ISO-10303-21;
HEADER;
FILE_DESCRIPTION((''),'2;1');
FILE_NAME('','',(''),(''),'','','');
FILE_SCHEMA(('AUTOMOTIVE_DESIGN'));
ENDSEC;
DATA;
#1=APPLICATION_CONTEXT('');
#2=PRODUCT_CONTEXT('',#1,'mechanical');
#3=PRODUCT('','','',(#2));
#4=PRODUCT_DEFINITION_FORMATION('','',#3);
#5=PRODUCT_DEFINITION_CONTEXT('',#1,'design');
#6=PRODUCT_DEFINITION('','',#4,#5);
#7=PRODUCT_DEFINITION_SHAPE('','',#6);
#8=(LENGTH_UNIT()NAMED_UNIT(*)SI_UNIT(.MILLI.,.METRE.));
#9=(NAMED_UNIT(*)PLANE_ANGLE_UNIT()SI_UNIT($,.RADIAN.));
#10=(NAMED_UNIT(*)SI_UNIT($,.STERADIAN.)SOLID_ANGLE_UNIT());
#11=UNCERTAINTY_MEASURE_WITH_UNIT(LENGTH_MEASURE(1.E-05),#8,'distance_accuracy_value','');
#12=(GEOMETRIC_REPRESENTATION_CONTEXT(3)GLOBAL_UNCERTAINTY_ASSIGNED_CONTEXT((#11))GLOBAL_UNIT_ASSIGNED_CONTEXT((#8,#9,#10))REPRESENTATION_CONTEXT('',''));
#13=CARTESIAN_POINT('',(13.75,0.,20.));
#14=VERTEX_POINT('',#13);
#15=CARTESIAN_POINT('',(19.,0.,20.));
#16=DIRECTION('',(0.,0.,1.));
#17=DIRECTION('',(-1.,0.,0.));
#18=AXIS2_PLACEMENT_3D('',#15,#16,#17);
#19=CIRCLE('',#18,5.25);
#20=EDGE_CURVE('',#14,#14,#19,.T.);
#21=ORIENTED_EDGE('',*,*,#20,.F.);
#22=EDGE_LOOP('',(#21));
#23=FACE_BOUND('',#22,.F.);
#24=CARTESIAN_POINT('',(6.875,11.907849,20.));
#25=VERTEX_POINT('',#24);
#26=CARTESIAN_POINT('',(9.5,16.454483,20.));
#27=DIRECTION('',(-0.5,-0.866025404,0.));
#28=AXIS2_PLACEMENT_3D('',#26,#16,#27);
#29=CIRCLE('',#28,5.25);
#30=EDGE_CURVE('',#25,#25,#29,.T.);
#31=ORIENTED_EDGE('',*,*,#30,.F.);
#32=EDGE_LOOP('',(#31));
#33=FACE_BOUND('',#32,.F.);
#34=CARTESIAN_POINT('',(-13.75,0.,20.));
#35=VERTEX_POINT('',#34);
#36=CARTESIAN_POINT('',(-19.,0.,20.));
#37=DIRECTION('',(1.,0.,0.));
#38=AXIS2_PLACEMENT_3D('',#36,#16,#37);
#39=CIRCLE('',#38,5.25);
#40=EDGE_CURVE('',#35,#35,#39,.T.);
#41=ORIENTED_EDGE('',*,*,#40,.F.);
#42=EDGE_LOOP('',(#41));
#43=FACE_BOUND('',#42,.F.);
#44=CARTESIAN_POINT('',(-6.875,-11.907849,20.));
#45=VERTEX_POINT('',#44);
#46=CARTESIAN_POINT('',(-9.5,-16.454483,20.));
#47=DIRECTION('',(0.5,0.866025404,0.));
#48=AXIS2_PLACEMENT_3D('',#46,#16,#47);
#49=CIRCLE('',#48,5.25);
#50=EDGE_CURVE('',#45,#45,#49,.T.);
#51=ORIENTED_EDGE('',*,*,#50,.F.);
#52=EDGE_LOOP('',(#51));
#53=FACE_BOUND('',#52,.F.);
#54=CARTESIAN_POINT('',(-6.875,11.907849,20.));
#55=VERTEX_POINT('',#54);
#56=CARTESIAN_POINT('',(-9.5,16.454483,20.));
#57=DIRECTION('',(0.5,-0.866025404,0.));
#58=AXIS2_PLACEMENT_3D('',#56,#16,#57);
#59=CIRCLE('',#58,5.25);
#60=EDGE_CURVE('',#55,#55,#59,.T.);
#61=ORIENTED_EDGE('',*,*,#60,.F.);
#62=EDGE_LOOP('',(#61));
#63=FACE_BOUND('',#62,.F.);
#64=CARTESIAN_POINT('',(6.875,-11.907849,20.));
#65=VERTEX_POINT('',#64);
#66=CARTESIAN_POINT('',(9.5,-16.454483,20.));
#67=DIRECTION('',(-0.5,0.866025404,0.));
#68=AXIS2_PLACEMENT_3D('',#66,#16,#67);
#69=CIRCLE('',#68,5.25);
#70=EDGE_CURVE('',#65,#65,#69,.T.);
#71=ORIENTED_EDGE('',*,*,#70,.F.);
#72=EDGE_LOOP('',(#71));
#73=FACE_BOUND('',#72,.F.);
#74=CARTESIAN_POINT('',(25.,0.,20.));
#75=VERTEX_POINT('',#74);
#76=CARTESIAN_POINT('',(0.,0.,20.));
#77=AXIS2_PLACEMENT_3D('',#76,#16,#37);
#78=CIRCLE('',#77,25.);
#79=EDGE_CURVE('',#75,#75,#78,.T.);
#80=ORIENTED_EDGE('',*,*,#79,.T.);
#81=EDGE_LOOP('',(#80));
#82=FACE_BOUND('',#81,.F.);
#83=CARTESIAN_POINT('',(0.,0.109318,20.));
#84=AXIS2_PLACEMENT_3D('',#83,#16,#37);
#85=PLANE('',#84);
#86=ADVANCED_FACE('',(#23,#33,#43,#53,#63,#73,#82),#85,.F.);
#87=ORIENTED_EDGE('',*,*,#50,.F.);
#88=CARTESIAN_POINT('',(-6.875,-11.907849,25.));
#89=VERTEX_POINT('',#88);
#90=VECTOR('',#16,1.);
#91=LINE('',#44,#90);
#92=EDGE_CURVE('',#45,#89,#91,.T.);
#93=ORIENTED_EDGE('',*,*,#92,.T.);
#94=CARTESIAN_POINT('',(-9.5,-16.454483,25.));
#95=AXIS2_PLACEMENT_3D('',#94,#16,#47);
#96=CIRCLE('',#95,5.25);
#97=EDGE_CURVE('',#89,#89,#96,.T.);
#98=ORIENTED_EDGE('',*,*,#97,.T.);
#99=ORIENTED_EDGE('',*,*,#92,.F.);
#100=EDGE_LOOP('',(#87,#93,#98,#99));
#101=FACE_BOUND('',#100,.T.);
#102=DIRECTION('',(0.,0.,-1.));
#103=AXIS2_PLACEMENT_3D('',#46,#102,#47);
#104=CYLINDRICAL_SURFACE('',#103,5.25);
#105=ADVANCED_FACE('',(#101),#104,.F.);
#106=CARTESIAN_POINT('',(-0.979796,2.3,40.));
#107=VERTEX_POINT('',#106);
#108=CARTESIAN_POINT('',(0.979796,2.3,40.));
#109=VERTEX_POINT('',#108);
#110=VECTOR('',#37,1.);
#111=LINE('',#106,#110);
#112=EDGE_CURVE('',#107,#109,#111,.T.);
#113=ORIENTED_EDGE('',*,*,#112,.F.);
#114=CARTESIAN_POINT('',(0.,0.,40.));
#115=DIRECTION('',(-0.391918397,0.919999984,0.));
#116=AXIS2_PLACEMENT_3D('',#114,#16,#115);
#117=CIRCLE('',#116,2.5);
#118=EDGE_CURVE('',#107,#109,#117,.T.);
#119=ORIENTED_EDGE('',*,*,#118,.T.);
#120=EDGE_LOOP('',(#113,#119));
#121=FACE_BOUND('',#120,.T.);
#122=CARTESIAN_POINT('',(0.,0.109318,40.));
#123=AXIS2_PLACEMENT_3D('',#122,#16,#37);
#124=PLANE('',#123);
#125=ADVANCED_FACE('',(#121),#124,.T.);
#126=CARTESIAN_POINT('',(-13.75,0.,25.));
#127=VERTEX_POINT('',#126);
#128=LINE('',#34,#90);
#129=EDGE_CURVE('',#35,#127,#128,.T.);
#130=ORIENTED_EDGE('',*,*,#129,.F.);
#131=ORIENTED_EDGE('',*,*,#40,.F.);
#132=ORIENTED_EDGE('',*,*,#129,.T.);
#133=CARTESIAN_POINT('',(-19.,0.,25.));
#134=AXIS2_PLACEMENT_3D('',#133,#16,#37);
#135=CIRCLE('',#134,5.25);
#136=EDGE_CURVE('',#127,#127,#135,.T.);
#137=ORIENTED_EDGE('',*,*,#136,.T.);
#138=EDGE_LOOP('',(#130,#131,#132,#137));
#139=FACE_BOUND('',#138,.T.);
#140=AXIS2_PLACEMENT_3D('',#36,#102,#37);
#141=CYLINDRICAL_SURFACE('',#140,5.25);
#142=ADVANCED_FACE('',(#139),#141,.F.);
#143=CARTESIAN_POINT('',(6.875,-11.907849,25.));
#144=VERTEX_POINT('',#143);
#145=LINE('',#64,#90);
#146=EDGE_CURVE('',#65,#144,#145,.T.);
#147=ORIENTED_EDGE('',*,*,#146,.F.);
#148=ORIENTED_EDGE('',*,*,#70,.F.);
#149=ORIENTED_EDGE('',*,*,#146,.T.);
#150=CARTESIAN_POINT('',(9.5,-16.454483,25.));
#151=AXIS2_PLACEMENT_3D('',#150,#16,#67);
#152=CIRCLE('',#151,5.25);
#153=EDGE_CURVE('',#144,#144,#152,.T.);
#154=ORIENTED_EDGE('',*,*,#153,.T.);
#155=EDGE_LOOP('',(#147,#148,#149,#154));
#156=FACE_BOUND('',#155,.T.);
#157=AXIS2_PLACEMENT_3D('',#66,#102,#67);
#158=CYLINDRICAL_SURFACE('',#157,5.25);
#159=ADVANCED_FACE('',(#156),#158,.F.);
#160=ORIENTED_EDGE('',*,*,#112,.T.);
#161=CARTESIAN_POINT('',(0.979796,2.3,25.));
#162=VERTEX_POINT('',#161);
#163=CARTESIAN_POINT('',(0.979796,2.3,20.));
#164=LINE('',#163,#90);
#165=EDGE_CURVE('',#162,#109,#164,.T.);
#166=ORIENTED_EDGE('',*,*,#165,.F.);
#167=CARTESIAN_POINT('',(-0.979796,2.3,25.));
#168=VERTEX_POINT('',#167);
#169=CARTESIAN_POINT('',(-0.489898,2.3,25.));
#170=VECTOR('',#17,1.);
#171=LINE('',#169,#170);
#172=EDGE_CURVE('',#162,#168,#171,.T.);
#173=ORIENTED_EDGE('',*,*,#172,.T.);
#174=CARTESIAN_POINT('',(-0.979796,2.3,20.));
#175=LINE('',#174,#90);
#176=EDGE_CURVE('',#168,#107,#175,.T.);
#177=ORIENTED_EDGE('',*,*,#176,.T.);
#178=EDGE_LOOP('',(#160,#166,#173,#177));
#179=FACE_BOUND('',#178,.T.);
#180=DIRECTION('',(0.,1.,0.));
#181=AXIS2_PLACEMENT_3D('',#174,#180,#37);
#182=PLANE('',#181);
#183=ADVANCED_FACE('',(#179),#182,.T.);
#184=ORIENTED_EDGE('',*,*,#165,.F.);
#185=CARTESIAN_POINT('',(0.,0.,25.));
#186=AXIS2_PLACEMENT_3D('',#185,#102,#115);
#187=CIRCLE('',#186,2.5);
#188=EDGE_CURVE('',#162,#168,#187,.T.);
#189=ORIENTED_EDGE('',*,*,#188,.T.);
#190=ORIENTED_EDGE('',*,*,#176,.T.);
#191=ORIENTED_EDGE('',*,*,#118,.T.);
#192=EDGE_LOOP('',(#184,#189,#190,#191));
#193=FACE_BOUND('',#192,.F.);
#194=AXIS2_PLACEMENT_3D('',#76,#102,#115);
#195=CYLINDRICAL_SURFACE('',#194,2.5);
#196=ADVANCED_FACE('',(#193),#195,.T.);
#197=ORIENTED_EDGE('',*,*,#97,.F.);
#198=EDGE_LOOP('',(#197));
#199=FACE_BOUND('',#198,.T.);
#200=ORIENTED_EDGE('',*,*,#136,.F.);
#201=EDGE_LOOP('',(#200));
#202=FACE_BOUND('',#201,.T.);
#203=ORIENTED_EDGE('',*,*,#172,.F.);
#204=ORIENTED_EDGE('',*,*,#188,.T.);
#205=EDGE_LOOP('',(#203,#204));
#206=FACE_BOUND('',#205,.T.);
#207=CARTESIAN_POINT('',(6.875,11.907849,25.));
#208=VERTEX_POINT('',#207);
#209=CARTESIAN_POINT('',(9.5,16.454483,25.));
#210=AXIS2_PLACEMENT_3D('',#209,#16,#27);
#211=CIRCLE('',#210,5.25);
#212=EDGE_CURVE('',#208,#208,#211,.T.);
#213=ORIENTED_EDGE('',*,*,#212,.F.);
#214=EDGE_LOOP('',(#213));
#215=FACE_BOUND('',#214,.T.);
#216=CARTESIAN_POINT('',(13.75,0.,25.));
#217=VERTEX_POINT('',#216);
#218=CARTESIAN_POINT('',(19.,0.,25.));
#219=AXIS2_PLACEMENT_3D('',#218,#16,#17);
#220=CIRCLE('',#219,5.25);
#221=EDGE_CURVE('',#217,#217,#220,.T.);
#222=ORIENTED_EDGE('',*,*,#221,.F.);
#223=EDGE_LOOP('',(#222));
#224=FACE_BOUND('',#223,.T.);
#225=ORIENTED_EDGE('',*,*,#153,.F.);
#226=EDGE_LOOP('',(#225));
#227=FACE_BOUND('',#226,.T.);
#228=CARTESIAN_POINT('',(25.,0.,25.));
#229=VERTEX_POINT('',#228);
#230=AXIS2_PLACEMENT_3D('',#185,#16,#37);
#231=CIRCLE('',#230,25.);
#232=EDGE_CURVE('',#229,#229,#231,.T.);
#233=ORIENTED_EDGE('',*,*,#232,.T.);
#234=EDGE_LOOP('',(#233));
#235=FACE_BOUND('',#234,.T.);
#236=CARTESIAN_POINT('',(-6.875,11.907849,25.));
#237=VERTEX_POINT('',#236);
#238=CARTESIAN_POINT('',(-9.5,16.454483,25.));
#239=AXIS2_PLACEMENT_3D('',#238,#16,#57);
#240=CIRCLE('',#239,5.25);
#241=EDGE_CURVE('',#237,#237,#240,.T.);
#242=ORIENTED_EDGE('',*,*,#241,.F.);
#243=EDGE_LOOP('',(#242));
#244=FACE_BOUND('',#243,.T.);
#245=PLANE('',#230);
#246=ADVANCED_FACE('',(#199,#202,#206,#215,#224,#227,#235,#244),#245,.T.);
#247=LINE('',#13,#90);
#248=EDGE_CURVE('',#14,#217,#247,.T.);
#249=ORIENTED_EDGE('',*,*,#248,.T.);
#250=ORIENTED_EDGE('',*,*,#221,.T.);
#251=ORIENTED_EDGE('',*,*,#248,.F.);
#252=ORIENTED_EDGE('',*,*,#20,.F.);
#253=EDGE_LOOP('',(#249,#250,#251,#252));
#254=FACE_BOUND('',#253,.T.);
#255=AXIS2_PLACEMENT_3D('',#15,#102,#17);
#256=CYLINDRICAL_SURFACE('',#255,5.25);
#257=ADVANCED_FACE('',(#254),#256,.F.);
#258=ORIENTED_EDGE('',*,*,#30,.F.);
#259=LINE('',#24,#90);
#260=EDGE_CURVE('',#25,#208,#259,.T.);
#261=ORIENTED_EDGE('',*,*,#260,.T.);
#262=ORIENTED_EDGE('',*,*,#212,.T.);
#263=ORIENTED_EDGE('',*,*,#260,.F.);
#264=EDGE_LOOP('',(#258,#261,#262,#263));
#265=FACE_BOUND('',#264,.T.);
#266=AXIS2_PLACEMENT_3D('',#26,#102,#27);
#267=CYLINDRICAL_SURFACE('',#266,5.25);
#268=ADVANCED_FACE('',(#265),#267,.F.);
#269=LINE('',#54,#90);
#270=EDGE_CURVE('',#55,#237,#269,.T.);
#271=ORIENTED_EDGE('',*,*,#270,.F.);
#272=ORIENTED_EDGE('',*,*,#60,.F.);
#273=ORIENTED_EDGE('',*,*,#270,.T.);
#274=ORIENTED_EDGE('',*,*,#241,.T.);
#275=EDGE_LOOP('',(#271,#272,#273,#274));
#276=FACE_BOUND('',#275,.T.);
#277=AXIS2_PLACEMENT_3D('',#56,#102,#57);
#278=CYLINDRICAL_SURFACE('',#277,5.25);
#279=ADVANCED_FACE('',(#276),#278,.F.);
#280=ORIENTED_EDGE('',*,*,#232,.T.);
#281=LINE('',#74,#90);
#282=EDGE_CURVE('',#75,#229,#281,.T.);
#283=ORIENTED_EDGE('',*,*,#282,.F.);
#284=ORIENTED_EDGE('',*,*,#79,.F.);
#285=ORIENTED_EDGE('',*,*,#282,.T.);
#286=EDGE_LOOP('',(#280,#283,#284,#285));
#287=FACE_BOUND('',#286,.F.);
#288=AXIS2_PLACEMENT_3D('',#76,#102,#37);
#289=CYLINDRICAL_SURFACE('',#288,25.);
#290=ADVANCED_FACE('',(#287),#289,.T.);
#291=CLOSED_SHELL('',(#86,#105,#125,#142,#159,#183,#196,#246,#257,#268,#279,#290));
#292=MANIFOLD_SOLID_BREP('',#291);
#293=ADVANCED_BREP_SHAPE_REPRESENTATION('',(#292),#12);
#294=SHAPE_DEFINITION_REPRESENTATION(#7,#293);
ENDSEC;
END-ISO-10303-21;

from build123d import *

# Parameters (mm, degrees)
OUTPUTSHAFTBASESKETCH_R = 25
PAD005_DEPTH            = 5
HOLESSKETCH_R           = 5.25
POCKET_DEPTH            = 5
PAD006_DEPTH            = 20
DRIVERHOLEPOLAR_COUNT   = 6


with BuildPart() as part:
    # OutputShaftBaseSketch → Pad005 (new body)
    with BuildSketch(Plane.XY):
        Circle(OUTPUTSHAFTBASESKETCH_R)
    extrude(amount=PAD005_DEPTH)

    # holesSketch → Pocket (cut)
    with BuildSketch(Plane.XY):
        with Locations((-19, 0)):
            Circle(HOLESSKETCH_R)
    pocket = extrude(amount=POCKET_DEPTH, mode=Mode.SUBTRACT)

    # InputKeySketch001 → Pad006 (join)
    with BuildSketch(Plane.XY):
        with BuildLine():
            ThreePointArc((-0.979796, 2.3), (0, -2.5), (0.979796, 2.3))
            Line((-0.979796, 2.3), (0.979796, 2.3))
        make_face()
    extrude(amount=PAD006_DEPTH)

    # DriverHolePolar: Pocket ×6 about axis
    driverholepolar_axis = Axis((0, 0, 0), (0, 0, 1))
    for i in range(1, DRIVERHOLEPOLAR_COUNT):
        add(pocket.rotate(driverholepolar_axis, i * 360 / DRIVERHOLEPOLAR_COUNT), mode=Mode.SUBTRACT)


with BuildPart() as part_1:
    # outputShaft placement: moved
    add(part.part.moved(Location((0, 0, 20))))


solid = part_1.part
